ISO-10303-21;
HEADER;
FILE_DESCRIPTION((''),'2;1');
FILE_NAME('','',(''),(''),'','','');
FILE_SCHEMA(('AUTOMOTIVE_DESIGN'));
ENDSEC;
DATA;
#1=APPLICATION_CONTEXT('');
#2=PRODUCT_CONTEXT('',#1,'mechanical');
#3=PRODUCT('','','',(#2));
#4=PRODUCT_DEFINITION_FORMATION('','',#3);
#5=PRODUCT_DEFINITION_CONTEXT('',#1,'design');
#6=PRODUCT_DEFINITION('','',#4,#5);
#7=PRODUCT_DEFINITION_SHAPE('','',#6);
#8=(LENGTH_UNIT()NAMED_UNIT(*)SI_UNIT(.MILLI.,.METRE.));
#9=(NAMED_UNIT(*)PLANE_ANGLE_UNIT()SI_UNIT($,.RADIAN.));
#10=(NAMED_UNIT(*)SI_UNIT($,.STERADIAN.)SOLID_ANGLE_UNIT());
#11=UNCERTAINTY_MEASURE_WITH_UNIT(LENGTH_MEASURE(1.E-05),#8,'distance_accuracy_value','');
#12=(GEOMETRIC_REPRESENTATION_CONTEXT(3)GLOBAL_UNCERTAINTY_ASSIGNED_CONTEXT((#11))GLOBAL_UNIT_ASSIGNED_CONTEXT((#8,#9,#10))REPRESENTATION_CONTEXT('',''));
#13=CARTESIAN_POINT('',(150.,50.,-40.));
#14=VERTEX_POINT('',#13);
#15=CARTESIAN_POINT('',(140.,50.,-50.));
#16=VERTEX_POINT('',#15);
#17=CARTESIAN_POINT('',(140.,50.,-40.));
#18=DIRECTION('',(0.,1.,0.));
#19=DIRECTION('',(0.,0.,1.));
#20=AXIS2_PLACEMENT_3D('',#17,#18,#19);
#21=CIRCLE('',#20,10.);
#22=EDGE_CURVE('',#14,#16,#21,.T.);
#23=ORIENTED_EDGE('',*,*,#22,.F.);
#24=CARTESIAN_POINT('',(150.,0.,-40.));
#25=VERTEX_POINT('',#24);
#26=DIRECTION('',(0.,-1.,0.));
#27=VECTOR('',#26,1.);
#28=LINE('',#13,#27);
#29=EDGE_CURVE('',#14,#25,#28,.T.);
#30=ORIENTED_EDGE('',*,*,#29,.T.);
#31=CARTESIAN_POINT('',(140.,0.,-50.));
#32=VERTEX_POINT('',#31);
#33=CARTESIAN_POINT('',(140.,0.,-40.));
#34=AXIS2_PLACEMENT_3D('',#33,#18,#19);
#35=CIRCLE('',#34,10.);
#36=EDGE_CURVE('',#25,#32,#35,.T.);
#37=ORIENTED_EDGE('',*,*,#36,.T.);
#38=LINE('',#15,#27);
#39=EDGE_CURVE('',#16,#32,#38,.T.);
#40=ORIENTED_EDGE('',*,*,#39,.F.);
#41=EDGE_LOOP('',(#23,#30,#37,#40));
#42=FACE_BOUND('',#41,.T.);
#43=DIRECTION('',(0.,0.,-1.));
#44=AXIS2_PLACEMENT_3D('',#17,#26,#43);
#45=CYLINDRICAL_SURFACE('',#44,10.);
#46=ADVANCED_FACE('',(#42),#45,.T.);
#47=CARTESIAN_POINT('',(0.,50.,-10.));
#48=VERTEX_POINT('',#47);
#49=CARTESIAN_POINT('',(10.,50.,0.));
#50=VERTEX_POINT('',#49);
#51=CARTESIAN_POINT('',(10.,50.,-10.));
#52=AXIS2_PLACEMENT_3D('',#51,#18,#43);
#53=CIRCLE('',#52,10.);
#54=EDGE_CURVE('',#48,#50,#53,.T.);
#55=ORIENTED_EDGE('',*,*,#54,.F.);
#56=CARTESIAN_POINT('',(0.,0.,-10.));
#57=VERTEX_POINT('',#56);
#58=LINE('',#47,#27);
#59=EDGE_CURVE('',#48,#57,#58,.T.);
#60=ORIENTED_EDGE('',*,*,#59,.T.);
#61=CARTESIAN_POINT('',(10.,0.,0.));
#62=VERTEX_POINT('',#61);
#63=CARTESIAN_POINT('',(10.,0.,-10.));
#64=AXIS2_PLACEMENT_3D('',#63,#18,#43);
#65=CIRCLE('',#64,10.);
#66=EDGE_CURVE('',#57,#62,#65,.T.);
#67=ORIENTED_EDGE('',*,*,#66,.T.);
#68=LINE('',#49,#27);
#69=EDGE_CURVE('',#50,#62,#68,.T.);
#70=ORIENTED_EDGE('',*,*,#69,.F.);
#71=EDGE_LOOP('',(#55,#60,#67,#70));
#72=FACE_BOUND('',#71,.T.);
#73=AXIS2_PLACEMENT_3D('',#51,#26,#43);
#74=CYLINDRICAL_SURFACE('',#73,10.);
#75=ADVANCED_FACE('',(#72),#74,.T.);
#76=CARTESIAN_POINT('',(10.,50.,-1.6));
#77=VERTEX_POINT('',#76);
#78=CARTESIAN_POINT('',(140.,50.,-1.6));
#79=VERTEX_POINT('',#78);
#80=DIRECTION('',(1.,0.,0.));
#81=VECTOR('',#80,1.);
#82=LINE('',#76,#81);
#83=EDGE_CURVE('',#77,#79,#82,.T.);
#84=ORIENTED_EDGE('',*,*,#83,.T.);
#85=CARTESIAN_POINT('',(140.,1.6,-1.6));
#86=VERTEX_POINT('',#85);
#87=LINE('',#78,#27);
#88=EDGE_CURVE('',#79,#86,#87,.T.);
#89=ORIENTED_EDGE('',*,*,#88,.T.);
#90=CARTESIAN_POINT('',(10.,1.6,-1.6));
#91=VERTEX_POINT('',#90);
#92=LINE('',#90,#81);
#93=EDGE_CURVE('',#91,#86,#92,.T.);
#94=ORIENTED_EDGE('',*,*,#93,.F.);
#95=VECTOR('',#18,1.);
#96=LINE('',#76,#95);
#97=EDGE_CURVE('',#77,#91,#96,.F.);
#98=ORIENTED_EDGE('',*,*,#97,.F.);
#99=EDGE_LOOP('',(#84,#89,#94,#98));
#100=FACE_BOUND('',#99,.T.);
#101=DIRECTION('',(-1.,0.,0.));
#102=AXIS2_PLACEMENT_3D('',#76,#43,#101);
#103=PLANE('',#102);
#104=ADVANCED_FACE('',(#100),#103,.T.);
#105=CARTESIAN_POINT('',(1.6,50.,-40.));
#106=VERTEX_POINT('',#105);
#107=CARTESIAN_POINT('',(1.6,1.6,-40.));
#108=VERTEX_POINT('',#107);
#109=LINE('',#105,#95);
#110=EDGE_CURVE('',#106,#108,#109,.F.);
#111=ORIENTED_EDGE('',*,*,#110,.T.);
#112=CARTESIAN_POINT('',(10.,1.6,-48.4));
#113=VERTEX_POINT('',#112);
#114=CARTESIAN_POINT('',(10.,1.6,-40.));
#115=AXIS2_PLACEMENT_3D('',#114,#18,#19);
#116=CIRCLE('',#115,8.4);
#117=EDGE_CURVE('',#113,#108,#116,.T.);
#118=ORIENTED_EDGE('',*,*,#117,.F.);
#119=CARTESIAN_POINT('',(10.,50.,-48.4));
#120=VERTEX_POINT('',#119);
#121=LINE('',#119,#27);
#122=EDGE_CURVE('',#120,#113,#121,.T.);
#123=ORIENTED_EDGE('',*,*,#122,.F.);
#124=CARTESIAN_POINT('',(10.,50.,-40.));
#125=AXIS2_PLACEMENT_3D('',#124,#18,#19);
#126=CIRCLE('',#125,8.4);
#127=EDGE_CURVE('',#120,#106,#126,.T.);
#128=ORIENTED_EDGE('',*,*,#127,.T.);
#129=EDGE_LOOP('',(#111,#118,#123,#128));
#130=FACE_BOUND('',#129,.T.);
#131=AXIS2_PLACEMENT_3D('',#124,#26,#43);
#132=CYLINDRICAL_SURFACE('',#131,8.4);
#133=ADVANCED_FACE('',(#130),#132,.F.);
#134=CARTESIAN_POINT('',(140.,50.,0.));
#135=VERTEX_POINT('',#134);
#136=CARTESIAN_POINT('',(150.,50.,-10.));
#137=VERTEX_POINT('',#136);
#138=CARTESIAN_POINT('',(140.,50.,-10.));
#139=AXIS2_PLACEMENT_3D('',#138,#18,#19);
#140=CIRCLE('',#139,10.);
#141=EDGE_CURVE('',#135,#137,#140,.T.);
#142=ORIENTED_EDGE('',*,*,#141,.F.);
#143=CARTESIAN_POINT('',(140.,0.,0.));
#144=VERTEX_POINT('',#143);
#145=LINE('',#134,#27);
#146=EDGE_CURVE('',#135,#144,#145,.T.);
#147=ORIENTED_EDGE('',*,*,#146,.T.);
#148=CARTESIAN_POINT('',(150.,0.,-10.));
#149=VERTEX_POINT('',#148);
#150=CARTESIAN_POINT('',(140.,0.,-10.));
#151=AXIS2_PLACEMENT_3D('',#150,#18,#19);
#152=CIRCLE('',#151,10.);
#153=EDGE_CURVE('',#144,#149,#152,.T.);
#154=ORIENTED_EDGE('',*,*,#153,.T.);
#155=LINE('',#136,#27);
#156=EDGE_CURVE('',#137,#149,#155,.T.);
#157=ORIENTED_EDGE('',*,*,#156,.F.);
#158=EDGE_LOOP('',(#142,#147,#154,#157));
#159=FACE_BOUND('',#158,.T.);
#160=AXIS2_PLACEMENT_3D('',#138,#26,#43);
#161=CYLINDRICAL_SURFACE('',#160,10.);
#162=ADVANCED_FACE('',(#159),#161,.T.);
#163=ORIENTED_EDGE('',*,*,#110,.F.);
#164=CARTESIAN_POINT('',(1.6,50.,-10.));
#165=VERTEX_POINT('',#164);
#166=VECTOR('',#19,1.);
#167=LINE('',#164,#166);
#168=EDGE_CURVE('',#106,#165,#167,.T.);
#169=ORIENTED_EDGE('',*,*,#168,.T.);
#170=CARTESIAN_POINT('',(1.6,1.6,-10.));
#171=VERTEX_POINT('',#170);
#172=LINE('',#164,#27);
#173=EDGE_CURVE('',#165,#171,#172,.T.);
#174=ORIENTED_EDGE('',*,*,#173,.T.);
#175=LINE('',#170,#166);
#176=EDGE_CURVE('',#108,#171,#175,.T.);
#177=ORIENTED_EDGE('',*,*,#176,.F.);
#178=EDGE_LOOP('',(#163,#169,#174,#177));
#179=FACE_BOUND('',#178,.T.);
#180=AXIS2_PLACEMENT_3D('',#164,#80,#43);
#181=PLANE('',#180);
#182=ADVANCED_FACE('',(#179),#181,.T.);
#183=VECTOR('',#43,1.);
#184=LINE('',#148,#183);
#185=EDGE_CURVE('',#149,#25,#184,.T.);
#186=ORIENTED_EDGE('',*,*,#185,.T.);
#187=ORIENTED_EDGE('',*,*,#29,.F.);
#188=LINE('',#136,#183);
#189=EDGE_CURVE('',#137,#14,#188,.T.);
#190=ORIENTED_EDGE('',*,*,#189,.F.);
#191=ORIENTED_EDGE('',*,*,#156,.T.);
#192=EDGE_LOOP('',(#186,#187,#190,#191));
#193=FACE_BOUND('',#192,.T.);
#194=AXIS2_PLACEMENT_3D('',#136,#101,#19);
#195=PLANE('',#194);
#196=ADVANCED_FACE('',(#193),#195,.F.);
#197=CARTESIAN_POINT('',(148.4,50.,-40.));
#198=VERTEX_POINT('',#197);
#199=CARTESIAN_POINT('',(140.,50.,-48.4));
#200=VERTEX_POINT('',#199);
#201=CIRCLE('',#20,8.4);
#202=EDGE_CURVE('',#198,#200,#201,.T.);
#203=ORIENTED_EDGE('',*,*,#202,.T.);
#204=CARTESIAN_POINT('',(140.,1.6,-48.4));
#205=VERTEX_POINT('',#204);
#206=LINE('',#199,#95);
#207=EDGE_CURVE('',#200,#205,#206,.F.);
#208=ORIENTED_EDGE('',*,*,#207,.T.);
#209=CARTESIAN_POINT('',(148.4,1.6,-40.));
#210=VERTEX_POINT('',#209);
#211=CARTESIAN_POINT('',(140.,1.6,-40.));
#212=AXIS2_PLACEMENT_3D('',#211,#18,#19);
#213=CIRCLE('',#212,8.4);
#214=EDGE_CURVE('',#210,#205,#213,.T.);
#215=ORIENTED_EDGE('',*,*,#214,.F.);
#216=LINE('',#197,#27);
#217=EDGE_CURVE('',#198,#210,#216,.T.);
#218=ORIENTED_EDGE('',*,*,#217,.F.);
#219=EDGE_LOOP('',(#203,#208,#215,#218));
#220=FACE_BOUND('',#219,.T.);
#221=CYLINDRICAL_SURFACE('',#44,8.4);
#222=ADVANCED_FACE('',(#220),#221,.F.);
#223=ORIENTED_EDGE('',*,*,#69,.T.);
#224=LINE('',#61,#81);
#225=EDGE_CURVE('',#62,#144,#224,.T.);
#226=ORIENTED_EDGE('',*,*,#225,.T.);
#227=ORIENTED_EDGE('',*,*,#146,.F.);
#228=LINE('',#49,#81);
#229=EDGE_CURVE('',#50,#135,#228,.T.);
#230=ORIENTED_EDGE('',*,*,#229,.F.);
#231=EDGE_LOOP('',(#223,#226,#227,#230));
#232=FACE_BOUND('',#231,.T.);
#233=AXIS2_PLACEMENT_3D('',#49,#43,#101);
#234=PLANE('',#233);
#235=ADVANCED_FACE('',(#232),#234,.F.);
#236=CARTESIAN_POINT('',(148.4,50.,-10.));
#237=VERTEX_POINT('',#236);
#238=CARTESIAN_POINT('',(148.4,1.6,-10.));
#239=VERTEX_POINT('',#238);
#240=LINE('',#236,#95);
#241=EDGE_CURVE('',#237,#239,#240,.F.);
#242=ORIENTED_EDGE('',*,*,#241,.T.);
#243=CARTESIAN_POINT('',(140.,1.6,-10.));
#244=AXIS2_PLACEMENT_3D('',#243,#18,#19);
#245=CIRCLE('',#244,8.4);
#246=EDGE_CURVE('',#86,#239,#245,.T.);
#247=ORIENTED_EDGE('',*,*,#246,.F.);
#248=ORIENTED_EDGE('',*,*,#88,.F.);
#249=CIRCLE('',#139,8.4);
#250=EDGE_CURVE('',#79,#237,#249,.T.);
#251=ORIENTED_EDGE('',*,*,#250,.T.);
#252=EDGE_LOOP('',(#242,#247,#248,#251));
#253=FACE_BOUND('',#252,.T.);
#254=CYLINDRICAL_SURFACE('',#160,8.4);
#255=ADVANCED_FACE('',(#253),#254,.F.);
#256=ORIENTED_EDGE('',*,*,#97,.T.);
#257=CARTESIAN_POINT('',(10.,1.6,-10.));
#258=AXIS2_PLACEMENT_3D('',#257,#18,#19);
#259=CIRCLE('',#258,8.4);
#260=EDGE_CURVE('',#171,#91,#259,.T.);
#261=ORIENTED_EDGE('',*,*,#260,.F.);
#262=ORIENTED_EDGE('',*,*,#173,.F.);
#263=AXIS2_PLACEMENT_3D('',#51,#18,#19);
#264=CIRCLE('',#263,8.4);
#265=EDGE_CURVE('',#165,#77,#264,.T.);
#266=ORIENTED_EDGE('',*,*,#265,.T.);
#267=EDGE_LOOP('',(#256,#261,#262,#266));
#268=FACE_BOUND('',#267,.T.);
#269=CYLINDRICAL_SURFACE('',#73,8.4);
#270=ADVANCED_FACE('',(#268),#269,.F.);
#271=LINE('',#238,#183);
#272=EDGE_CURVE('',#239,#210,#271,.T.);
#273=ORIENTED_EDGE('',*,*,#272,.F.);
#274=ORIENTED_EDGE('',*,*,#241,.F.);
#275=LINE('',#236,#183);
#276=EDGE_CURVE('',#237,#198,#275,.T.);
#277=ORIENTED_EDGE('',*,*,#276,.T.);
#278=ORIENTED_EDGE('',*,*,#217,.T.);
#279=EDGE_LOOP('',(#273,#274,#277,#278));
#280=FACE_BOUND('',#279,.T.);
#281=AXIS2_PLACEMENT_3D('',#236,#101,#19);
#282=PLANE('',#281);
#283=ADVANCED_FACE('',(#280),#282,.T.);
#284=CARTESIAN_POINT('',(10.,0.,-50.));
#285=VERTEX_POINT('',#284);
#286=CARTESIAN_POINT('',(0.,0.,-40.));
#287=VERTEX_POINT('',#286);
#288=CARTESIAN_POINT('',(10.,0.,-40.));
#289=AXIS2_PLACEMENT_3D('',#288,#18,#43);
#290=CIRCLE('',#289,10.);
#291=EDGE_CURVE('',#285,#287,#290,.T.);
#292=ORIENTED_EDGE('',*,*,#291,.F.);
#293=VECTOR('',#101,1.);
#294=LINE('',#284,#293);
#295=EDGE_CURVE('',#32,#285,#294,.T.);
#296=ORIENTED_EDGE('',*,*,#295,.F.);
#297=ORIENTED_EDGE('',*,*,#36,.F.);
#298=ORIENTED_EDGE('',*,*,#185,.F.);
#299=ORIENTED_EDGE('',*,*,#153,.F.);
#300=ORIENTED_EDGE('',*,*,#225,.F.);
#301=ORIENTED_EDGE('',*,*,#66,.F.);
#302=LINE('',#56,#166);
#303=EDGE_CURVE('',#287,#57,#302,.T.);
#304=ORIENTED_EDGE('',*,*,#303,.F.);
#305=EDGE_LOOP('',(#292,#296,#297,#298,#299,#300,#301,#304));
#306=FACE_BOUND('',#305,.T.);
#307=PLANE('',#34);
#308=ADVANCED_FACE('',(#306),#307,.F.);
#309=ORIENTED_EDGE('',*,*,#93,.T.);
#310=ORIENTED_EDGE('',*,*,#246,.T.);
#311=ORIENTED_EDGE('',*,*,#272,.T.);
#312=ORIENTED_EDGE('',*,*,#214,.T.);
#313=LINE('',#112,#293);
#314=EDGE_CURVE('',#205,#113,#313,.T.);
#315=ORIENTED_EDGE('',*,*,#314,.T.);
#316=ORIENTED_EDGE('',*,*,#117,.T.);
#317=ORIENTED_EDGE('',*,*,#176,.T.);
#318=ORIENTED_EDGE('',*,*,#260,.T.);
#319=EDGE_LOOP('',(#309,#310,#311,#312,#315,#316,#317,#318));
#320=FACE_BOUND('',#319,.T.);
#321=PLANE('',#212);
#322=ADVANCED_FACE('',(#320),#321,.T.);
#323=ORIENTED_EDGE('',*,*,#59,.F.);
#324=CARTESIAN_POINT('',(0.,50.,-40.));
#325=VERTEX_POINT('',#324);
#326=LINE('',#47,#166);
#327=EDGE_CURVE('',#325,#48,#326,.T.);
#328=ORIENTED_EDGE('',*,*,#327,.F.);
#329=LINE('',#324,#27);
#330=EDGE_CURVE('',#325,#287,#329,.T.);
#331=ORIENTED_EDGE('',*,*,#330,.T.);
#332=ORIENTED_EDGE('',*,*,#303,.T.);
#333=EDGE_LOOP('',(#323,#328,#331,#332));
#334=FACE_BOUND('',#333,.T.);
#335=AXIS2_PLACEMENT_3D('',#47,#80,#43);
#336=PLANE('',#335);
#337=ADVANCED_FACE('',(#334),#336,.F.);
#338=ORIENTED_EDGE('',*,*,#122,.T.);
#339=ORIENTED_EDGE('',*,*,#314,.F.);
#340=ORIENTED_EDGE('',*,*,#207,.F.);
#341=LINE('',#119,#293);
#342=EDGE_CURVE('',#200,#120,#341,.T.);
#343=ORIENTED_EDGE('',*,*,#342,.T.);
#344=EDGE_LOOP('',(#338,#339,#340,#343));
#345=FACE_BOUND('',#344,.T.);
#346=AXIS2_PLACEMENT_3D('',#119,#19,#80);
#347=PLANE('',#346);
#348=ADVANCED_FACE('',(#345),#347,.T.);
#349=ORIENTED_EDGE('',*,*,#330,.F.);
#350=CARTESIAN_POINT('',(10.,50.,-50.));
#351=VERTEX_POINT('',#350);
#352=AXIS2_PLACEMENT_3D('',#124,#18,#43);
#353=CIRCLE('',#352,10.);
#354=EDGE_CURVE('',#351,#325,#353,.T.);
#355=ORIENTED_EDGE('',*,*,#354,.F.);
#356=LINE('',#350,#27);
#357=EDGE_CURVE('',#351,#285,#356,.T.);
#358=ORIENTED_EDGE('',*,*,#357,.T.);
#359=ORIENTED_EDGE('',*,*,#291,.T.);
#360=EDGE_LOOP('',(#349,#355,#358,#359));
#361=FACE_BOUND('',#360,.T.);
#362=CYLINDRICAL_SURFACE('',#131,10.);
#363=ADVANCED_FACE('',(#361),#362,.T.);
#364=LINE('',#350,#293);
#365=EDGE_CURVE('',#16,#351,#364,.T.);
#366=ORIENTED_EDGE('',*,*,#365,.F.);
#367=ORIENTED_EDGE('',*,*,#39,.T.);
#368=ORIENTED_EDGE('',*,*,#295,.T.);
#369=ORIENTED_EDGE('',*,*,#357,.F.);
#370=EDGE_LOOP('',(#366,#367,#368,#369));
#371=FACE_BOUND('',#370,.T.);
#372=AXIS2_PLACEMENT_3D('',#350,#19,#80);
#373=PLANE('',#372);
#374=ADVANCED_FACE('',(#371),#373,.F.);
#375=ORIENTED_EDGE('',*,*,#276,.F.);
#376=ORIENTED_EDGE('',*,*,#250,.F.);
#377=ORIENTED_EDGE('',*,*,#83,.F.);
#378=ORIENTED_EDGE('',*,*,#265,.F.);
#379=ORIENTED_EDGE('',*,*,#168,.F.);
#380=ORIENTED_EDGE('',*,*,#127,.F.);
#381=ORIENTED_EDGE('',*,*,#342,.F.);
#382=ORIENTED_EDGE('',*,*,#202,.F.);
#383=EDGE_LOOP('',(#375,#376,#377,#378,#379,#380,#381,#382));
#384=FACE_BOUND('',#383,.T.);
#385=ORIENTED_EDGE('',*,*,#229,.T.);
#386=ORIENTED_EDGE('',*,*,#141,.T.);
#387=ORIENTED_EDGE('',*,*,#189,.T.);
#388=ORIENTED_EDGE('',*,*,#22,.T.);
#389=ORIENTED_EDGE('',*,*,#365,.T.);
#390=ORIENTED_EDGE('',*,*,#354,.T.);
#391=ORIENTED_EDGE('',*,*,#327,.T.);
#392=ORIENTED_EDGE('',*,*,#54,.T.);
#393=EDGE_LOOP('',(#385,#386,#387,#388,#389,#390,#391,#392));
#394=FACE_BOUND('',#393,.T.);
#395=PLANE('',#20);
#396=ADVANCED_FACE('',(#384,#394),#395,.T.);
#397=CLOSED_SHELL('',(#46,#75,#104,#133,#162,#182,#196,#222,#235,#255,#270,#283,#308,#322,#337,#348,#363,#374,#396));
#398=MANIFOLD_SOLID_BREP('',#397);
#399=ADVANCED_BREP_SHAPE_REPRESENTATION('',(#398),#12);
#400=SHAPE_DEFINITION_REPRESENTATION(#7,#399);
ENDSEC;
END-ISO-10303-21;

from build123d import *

# Parameters (mm, degrees)
EXTRUDE_1_DEPTH = 50
SHELL_1_T       = -1.6


with BuildPart() as part:
    # 草图1 → 凸台-拉伸1 (new body)
    with BuildSketch(Plane(origin=(0, 0, 0), x_dir=(1, 0, 0), z_dir=(0, 1, 0))):
        with BuildLine():
            Line((10, 0), (140, 0))
            ThreePointArc((140, 0), (147.071067812, 2.928932188), (150, 10))
            Line((150, 10), (150, 40))
            ThreePointArc((150, 40), (147.071067812, 47.071067812), (140, 50))
            Line((140, 50), (10, 50))
            ThreePointArc((10, 50), (2.928932188, 47.071067812), (0, 40))
            Line((0, 40), (0, 10))
            ThreePointArc((0, 10), (2.928932188, 2.928932188), (10, 0))
        make_face()
    extrude(amount=EXTRUDE_1_DEPTH)

    # 抽壳1
    shell_1_openings = [part.faces().sort_by_distance(p)[0] for p in [
        (75, 50, -25),
    ]]
    offset(amount=SHELL_1_T, openings=shell_1_openings, kind=Kind.INTERSECTION)


solid = part.part
